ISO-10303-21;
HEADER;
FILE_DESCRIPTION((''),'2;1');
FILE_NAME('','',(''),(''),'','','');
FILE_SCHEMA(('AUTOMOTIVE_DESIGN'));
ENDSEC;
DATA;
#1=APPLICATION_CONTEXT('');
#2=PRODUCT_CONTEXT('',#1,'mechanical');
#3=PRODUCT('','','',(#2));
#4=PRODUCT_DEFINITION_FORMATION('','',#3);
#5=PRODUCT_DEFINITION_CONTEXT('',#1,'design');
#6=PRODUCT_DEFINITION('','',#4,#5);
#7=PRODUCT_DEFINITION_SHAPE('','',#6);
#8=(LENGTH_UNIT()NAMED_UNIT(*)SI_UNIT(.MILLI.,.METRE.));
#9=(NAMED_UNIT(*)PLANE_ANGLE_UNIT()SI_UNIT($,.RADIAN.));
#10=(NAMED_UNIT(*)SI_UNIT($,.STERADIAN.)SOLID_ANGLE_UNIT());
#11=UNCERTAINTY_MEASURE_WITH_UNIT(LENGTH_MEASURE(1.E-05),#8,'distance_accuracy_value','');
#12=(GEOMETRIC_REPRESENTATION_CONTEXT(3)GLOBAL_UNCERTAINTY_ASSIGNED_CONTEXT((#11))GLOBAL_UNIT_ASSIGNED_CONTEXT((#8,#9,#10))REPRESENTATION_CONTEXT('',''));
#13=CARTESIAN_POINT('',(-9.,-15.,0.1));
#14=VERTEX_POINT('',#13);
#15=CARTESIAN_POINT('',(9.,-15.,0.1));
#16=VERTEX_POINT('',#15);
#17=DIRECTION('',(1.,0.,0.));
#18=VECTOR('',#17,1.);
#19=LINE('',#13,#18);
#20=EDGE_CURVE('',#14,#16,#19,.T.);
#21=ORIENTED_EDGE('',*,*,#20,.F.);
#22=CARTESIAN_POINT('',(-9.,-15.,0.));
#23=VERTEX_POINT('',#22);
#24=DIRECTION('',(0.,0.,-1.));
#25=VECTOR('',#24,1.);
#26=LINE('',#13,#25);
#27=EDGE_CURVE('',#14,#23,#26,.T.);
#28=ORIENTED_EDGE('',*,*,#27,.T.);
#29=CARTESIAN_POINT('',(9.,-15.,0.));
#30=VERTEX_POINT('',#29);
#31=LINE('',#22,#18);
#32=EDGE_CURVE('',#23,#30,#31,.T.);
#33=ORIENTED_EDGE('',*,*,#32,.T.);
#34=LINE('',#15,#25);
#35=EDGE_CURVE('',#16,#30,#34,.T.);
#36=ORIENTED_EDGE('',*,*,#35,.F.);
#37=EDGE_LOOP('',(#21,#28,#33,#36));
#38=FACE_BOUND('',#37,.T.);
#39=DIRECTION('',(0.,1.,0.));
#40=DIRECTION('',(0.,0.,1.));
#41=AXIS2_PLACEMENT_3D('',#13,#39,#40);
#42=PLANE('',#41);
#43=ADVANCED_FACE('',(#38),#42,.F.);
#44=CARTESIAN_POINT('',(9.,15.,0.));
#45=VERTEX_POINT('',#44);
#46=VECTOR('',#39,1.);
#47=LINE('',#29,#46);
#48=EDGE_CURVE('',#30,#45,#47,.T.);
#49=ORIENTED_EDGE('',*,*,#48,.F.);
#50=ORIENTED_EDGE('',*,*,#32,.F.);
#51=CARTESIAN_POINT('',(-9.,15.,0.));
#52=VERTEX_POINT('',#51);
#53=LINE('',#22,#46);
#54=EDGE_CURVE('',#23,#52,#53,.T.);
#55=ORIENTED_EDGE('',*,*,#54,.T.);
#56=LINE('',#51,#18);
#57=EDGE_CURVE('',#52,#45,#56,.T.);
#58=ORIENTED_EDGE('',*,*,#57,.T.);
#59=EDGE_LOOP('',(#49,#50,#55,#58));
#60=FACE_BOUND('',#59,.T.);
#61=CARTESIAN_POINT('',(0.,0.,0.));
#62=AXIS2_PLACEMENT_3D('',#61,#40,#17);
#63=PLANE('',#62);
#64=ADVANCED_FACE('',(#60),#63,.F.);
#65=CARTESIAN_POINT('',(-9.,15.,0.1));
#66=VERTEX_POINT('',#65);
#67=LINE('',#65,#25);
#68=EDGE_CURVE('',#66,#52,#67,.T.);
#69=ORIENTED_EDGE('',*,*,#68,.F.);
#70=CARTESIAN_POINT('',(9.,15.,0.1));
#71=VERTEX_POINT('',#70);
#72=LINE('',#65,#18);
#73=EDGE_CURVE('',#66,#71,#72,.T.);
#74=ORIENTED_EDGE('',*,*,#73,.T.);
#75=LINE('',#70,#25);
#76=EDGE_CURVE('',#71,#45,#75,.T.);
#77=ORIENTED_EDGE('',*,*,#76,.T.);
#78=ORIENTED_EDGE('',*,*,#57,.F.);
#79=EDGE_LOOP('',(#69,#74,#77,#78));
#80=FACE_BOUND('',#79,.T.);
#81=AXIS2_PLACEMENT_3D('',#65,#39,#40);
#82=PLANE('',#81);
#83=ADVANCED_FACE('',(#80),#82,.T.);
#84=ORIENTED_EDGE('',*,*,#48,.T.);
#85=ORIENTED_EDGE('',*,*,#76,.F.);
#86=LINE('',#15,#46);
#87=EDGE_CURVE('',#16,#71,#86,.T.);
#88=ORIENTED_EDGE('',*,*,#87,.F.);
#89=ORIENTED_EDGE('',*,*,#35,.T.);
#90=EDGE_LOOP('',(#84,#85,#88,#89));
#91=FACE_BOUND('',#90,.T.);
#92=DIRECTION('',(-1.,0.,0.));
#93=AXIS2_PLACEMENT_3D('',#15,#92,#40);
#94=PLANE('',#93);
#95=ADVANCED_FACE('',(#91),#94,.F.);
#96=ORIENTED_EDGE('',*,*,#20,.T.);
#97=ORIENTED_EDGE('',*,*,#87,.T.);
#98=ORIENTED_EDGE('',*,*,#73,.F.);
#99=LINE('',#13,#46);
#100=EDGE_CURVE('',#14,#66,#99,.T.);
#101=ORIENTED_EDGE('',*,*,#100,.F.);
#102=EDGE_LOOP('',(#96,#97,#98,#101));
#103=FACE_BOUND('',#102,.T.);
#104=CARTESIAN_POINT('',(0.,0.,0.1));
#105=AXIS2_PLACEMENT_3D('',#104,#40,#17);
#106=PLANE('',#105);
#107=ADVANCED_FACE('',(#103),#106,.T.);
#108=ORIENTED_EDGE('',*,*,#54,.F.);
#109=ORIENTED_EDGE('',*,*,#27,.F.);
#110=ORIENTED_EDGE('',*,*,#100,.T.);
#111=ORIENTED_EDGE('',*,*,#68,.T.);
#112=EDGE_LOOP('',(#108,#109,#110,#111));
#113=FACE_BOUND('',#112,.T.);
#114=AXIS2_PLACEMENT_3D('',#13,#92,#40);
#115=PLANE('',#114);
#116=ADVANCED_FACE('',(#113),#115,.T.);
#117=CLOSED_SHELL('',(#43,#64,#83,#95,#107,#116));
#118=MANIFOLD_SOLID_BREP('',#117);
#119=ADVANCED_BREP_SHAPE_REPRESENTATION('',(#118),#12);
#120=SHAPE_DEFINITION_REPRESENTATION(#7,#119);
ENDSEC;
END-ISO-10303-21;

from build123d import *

# Parameters (mm, degrees)
SKETCH_1_W      = 18
SKETCH_1_H      = 30
EXTRUDE_1_DEPTH = 0.1


with BuildPart() as part:
    # 草图1 → 凸台-拉伸1 (new body)
    with BuildSketch(Plane.XY):
        Rectangle(SKETCH_1_W, SKETCH_1_H)
    extrude(amount=EXTRUDE_1_DEPTH)


solid = part.part
